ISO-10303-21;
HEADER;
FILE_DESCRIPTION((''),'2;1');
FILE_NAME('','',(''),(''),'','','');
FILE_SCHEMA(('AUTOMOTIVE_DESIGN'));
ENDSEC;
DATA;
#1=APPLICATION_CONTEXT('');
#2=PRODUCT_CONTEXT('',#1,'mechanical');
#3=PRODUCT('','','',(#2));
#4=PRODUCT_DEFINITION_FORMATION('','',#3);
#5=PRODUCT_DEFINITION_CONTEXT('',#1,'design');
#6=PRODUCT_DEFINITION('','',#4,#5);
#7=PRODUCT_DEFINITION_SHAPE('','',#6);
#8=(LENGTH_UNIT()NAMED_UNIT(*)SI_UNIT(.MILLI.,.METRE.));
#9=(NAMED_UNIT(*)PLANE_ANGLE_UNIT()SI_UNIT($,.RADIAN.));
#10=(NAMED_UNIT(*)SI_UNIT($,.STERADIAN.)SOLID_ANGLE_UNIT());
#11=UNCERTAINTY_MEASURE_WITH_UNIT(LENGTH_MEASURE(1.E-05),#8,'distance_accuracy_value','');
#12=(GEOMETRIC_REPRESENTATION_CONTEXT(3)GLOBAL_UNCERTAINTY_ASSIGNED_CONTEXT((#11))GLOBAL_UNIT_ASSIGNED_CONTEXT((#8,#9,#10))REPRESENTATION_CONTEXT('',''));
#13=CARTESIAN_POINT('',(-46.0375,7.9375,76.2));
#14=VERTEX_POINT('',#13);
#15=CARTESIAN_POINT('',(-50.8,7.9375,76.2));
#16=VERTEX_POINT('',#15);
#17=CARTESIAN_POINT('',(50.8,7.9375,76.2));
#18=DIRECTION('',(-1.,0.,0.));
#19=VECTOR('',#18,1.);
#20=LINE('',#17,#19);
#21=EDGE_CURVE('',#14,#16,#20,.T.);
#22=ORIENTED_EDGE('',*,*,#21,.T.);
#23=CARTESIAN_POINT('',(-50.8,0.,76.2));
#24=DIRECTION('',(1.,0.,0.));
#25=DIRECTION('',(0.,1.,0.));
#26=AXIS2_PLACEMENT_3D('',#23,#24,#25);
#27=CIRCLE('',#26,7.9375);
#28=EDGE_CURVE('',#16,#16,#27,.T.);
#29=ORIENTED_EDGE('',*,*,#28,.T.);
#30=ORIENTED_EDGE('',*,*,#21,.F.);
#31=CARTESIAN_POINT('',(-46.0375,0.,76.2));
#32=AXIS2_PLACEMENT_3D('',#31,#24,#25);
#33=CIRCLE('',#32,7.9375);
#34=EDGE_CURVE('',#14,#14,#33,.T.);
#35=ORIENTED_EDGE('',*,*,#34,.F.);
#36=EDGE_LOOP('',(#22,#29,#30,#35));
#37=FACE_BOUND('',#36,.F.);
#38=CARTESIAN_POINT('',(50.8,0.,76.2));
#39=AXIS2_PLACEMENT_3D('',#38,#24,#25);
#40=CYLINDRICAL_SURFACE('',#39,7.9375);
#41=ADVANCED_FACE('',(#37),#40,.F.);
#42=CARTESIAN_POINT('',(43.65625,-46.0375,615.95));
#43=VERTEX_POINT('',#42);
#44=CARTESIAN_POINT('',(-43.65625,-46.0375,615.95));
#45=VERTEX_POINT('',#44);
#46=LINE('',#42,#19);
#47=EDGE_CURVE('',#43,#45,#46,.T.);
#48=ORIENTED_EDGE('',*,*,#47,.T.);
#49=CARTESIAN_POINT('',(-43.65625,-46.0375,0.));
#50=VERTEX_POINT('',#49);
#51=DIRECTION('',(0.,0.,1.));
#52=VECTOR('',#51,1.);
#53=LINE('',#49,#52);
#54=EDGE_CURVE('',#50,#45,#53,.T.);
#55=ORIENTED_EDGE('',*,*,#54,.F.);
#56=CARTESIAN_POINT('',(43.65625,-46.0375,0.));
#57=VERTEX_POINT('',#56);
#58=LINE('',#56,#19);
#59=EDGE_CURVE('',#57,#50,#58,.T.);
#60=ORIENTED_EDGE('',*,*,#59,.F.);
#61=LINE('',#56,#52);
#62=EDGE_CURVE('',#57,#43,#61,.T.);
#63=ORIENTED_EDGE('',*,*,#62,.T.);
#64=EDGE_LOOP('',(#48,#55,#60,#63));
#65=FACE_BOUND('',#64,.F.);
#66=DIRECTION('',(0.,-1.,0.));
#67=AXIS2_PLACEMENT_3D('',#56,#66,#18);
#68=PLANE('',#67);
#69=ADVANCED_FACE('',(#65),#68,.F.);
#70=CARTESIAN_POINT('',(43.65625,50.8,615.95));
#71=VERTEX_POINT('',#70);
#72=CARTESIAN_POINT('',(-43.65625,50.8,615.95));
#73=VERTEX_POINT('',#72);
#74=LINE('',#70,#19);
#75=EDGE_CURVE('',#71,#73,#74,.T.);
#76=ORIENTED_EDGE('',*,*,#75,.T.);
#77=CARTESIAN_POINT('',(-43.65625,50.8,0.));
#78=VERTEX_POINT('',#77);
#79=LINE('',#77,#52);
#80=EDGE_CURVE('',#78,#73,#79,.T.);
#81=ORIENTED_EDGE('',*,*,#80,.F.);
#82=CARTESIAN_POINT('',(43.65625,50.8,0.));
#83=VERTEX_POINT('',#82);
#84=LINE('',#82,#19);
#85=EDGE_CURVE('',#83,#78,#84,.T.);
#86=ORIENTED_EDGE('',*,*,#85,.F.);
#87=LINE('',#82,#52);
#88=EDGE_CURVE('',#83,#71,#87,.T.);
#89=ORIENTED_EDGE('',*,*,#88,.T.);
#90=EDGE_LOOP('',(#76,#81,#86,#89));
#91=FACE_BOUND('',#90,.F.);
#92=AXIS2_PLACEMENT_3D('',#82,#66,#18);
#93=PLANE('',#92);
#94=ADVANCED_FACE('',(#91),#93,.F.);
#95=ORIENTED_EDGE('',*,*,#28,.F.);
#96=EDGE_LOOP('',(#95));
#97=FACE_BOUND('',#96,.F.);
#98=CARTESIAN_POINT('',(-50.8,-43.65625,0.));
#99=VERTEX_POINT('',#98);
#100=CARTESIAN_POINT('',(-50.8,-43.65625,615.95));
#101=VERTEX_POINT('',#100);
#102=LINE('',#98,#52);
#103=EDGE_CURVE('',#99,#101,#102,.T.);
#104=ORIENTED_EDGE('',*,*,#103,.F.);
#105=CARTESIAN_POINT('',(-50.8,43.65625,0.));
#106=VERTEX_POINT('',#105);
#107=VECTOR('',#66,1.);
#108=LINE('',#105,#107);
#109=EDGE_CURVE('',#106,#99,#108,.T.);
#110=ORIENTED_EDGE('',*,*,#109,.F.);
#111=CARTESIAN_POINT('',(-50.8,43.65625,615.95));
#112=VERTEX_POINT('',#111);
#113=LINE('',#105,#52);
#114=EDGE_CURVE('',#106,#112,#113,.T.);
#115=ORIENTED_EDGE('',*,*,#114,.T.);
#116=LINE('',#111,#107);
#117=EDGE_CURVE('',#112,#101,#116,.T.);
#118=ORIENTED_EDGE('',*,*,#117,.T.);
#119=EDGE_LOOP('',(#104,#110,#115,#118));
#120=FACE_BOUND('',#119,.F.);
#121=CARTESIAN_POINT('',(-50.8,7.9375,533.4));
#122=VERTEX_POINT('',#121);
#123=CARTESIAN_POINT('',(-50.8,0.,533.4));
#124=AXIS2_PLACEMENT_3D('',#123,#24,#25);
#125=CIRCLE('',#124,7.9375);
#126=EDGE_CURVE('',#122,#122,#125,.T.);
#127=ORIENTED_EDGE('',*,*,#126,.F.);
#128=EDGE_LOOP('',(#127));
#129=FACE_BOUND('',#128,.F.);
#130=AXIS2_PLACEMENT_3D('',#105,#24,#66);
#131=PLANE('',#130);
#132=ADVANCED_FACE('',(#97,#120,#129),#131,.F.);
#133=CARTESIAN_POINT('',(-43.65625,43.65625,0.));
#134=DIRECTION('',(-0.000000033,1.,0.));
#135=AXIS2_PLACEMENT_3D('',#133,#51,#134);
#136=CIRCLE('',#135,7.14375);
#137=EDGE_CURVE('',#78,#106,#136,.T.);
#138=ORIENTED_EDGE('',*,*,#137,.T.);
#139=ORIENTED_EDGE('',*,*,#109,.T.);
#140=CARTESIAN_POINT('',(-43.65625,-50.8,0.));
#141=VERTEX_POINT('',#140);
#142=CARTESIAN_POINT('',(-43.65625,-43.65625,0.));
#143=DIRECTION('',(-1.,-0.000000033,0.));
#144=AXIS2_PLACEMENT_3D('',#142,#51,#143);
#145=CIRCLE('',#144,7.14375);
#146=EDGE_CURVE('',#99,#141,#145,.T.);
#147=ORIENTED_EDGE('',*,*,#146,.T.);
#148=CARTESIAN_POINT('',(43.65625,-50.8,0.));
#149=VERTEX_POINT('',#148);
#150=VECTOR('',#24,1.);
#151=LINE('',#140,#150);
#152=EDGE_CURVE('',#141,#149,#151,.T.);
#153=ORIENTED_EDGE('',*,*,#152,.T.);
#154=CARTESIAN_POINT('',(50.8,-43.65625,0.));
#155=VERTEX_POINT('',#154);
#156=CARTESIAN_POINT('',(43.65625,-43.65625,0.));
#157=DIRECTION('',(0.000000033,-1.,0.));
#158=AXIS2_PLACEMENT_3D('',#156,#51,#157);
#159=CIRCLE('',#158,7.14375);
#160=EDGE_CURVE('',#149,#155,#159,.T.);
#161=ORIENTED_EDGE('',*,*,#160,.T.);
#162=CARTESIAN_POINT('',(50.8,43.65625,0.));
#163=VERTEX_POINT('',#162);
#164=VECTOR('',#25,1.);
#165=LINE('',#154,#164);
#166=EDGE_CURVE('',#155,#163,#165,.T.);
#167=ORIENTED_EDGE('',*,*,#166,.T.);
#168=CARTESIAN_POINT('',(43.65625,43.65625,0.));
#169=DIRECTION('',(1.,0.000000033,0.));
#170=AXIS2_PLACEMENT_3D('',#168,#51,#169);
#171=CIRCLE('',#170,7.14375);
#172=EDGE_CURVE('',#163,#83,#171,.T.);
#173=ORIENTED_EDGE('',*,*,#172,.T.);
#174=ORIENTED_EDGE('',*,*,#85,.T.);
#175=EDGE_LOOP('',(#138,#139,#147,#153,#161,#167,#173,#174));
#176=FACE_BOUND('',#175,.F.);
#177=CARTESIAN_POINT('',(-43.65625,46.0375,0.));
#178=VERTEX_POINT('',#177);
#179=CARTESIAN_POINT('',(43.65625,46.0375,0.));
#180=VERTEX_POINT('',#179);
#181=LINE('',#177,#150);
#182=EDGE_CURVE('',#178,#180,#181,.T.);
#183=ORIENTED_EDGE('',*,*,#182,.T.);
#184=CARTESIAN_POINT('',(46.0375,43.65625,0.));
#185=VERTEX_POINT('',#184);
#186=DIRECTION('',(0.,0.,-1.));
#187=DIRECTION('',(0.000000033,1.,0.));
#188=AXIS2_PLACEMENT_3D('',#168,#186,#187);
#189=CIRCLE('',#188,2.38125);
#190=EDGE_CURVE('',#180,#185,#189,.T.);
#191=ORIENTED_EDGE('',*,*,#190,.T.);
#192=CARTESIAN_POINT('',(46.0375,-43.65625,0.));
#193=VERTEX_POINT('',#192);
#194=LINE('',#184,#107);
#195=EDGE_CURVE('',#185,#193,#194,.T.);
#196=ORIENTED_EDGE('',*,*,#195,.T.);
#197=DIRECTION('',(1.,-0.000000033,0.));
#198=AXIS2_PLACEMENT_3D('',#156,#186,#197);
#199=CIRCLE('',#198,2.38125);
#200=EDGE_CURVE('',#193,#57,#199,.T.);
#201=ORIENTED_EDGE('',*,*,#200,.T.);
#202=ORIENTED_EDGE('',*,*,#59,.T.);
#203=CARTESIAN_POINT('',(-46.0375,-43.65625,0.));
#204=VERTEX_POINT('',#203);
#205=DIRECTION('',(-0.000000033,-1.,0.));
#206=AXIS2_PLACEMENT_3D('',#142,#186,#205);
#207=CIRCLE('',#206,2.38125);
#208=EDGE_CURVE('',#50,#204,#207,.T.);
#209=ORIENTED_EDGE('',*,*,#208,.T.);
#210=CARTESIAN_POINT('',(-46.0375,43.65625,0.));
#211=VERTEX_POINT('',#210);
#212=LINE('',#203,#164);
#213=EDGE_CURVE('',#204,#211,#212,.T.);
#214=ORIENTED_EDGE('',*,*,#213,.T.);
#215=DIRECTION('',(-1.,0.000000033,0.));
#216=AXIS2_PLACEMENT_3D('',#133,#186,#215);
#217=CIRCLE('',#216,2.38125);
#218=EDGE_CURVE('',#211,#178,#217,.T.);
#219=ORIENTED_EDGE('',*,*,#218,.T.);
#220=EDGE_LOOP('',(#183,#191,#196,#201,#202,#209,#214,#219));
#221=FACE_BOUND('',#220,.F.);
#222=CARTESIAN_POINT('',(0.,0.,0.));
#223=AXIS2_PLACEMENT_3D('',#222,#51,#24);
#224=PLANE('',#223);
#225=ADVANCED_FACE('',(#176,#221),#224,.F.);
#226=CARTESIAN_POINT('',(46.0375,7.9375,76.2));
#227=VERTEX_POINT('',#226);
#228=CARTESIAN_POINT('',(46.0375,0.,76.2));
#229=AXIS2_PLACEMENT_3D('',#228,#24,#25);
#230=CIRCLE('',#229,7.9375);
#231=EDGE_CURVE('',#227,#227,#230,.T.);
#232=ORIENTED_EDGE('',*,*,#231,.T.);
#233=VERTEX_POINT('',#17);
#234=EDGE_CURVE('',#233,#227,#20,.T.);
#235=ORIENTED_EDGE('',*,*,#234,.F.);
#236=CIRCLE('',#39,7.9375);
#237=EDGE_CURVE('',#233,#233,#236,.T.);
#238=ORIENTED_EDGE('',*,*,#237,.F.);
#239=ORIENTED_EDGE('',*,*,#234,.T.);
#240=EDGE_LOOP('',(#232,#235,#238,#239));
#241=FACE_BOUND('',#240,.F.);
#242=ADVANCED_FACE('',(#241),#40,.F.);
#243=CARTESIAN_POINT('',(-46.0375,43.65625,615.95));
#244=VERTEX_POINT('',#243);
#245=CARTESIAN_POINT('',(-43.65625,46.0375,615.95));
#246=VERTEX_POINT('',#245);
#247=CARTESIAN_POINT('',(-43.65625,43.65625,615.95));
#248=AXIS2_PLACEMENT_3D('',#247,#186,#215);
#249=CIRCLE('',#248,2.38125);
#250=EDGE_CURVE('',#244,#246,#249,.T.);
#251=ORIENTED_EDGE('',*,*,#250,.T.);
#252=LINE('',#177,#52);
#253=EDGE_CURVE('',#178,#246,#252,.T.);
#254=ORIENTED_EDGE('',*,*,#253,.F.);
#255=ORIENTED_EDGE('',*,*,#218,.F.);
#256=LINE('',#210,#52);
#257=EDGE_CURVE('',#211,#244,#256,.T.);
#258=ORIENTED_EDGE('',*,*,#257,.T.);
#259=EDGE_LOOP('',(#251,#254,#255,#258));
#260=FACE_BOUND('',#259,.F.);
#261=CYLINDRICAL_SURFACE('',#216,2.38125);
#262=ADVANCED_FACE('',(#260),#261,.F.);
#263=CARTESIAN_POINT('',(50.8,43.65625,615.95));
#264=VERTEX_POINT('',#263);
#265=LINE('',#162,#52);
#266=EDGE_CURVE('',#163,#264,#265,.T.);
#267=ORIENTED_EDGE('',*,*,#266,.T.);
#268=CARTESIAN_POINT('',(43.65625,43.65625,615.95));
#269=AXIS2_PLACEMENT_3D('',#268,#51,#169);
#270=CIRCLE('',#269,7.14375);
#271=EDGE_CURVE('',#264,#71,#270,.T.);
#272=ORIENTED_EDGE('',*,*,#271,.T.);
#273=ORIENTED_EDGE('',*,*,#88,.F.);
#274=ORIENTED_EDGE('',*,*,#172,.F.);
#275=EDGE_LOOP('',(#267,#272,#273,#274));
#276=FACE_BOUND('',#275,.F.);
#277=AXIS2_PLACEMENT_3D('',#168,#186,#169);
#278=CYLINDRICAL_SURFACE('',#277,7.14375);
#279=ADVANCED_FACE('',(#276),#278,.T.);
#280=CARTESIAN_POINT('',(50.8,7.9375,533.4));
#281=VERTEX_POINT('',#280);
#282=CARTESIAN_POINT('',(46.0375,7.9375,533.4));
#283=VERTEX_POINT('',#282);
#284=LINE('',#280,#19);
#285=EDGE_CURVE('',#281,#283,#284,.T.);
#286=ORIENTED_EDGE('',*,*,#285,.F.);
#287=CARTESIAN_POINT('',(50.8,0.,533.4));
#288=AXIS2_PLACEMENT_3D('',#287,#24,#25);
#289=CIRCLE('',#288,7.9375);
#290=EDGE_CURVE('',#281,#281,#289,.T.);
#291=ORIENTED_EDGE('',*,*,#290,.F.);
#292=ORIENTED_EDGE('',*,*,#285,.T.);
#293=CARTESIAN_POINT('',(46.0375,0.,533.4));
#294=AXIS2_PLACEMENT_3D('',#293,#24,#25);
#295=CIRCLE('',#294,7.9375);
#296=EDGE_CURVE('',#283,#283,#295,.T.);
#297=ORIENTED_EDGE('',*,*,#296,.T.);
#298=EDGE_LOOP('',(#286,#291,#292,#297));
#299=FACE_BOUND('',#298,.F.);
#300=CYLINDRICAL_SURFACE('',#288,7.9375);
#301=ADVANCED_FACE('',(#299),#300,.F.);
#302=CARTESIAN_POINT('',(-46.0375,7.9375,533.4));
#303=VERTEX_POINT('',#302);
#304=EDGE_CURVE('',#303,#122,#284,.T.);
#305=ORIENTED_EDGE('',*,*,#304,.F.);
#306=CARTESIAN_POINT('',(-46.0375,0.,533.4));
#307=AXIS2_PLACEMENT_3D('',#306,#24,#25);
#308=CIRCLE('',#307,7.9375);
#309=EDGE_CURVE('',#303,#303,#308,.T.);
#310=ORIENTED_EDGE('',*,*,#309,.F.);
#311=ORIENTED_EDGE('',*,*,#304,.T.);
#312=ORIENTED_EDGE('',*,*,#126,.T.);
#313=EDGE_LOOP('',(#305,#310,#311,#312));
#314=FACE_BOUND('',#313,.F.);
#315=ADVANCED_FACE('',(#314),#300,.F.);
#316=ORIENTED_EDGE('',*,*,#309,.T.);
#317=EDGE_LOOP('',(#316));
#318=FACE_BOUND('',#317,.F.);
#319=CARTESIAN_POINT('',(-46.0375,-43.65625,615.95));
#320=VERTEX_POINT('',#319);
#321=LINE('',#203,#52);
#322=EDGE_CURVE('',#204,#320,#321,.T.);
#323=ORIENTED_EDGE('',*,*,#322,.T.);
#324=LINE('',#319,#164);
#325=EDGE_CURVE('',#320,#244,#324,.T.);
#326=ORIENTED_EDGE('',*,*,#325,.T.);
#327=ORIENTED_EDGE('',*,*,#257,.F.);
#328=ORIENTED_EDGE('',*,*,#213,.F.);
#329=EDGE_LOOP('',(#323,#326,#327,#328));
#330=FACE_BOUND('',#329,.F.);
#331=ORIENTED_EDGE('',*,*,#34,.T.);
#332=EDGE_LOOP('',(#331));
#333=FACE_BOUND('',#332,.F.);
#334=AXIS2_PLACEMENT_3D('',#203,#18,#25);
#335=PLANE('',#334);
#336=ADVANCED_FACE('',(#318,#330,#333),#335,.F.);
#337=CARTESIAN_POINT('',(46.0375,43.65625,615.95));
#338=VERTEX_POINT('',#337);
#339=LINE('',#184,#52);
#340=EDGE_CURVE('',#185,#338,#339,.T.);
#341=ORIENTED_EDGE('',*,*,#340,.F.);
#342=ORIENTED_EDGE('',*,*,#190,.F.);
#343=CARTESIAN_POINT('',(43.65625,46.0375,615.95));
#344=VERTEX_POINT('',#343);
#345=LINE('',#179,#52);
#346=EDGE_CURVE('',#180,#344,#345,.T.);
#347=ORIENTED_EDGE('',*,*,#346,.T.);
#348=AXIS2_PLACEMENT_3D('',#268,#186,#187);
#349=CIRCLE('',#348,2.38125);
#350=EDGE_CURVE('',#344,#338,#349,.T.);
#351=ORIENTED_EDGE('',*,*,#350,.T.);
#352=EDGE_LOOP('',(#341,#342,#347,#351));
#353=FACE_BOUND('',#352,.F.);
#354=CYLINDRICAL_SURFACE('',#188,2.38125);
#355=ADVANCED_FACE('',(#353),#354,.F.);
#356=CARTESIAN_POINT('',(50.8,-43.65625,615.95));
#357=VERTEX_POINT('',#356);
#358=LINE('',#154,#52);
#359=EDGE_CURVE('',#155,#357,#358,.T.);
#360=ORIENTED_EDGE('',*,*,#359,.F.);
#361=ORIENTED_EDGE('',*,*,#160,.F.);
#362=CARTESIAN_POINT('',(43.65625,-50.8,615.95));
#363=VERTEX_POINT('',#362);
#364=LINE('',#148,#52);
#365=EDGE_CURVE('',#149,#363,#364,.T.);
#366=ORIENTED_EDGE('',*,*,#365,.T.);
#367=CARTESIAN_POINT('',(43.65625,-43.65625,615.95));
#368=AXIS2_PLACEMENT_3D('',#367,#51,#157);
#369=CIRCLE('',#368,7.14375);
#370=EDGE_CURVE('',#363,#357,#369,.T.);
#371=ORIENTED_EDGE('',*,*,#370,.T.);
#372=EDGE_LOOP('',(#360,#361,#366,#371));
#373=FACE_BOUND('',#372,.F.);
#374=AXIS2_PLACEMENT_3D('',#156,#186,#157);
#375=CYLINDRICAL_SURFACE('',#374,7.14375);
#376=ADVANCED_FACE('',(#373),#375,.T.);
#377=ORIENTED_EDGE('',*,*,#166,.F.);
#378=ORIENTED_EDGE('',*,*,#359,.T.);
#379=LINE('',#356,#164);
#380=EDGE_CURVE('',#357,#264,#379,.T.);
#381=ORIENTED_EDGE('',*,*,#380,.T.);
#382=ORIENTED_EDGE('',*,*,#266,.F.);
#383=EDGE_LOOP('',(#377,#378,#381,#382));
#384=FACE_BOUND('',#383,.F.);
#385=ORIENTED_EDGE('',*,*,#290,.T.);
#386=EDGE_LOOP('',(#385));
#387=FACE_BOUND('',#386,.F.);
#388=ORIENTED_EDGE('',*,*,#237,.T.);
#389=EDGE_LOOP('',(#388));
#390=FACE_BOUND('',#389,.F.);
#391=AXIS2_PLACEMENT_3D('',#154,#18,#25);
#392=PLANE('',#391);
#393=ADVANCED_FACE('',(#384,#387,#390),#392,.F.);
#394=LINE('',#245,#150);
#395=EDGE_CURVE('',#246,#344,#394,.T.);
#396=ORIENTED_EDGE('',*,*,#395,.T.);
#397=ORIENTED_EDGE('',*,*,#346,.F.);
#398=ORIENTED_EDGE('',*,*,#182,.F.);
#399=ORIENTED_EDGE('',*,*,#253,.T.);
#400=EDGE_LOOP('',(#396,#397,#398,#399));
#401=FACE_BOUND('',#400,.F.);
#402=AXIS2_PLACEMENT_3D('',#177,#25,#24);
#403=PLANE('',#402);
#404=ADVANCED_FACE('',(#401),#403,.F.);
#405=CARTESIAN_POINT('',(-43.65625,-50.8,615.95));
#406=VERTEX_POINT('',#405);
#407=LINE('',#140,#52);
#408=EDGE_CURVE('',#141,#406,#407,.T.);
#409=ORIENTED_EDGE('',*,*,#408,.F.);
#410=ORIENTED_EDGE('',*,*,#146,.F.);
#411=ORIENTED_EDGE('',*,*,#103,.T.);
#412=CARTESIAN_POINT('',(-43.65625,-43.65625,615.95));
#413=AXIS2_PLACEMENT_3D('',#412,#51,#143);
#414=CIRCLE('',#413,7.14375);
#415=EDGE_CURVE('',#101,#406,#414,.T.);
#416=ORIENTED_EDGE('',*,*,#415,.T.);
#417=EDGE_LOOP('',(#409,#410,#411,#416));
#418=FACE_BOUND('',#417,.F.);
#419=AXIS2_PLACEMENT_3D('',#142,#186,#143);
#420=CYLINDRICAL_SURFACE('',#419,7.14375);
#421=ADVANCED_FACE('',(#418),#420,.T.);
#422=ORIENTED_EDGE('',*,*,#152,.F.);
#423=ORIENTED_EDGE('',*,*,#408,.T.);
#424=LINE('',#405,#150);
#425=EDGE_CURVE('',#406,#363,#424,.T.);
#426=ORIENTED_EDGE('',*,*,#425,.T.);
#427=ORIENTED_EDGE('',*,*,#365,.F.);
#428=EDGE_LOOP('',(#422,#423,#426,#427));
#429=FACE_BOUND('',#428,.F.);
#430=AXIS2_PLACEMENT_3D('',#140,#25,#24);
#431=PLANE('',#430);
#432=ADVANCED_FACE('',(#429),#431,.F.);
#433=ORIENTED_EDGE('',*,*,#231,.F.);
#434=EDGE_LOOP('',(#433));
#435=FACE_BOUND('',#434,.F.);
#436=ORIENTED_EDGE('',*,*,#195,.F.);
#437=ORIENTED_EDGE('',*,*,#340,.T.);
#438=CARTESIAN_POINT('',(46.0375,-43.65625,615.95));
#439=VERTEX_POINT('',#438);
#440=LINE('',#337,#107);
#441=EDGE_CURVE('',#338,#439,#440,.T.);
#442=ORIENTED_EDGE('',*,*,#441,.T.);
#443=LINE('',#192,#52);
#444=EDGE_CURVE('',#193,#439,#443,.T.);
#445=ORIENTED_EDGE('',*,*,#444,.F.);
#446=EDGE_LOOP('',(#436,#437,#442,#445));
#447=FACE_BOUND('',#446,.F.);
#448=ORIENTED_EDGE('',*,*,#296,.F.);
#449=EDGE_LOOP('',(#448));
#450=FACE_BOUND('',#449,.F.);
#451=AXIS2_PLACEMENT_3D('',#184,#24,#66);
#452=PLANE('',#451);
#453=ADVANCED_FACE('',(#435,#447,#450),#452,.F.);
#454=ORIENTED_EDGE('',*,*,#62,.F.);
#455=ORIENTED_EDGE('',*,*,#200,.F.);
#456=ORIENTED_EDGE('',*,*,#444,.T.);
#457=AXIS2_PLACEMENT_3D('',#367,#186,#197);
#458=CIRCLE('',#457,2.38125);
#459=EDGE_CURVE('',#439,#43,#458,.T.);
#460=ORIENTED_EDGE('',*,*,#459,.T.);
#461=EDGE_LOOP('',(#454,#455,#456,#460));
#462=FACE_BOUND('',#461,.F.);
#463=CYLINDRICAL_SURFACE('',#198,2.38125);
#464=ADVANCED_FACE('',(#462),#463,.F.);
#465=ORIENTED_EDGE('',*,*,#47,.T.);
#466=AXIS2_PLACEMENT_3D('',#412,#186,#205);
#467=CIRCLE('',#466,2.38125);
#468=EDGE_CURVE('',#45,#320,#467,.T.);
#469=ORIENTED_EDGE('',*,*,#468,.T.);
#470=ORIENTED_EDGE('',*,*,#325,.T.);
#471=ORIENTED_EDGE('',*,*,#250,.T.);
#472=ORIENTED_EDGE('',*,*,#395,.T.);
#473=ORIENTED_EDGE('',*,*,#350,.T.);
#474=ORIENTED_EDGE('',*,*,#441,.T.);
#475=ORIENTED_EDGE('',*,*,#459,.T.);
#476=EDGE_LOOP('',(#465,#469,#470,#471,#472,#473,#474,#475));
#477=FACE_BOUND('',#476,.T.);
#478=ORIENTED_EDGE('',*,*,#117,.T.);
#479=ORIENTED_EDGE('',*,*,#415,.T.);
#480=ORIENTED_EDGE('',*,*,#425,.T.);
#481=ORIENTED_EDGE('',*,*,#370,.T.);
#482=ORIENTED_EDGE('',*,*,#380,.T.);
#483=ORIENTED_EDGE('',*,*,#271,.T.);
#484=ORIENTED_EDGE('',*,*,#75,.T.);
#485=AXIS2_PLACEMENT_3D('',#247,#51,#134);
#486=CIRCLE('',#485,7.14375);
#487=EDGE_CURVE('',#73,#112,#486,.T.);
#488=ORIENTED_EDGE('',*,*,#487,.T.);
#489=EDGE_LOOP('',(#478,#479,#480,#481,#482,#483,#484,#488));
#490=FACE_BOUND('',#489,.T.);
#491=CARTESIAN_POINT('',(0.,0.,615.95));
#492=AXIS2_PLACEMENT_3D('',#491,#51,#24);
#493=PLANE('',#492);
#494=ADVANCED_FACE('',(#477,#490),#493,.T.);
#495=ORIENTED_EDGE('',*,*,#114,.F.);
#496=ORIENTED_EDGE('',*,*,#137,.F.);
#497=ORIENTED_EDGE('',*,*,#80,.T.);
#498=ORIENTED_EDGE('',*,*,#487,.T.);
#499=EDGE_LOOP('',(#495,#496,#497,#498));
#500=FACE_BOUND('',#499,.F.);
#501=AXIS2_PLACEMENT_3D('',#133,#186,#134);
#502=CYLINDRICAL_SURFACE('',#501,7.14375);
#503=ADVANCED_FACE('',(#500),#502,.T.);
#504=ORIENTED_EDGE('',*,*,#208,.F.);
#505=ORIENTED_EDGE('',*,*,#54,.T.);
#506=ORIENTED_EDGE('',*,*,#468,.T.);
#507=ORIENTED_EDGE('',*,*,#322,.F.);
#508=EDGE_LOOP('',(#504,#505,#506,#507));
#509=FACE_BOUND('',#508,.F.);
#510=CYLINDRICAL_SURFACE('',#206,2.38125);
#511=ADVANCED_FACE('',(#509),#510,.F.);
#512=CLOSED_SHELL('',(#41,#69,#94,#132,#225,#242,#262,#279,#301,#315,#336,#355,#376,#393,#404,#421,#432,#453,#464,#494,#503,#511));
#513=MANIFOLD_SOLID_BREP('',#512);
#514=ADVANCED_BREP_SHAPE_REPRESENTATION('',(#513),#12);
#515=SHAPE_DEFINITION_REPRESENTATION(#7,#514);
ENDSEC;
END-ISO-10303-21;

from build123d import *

# Parameters (mm, degrees)
F1_DEPTH = 615.95
F2_R     = 7.9375
F3_DEPTH = 101.601


with BuildPart() as f1:
    # F0 (on Top) → F1 (new body)
    with BuildSketch(Plane.XY):
        with BuildLine():
            Line((43.65625, 50.8), (-43.65625, 50.8))
            ThreePointArc((-43.65625, 50.8), (-48.707644, 48.707644), (-50.8, 43.65625))
            Line((-50.8, 43.65625), (-50.8, -43.65625))
            ThreePointArc((-50.8, -43.65625), (-48.707644, -48.707644), (-43.65625, -50.8))
            Line((-43.65625, -50.8), (43.65625, -50.8))
            ThreePointArc((43.65625, -50.8), (48.707644, -48.707644), (50.8, -43.65625))
            Line((50.8, -43.65625), (50.8, 43.65625))
            ThreePointArc((50.8, 43.65625), (48.707644, 48.707644), (43.65625, 50.8))
        make_face()
        with BuildLine():
            Line((43.65625, -46.0375), (-43.65625, -46.0375))
            ThreePointArc((-43.65625, -46.0375), (-45.340048, -45.340048), (-46.0375, -43.65625))
            Line((-46.0375, -43.65625), (-46.0375, 43.65625))
            ThreePointArc((-46.0375, 43.65625), (-45.340048, 45.340048), (-43.65625, 46.0375))
            Line((-43.65625, 46.0375), (43.65625, 46.0375))
            ThreePointArc((43.65625, 46.0375), (45.340048, 45.340048), (46.0375, 43.65625))
            Line((46.0375, 43.65625), (46.0375, -43.65625))
            ThreePointArc((46.0375, -43.65625), (45.340048, -45.340048), (43.65625, -46.0375))
        make_face(mode=Mode.SUBTRACT)
    extrude(amount=F1_DEPTH)

    # F2 (on face) → F3 (cut, through all)
    with BuildSketch(Plane.YZ.offset(50.8)):
        with Locations((0, 76.2)):
            Circle(F2_R)
        with Locations((0, 533.4)):
            Circle(F2_R)
    extrude(amount=-F3_DEPTH, mode=Mode.SUBTRACT)


solid = f1.part
